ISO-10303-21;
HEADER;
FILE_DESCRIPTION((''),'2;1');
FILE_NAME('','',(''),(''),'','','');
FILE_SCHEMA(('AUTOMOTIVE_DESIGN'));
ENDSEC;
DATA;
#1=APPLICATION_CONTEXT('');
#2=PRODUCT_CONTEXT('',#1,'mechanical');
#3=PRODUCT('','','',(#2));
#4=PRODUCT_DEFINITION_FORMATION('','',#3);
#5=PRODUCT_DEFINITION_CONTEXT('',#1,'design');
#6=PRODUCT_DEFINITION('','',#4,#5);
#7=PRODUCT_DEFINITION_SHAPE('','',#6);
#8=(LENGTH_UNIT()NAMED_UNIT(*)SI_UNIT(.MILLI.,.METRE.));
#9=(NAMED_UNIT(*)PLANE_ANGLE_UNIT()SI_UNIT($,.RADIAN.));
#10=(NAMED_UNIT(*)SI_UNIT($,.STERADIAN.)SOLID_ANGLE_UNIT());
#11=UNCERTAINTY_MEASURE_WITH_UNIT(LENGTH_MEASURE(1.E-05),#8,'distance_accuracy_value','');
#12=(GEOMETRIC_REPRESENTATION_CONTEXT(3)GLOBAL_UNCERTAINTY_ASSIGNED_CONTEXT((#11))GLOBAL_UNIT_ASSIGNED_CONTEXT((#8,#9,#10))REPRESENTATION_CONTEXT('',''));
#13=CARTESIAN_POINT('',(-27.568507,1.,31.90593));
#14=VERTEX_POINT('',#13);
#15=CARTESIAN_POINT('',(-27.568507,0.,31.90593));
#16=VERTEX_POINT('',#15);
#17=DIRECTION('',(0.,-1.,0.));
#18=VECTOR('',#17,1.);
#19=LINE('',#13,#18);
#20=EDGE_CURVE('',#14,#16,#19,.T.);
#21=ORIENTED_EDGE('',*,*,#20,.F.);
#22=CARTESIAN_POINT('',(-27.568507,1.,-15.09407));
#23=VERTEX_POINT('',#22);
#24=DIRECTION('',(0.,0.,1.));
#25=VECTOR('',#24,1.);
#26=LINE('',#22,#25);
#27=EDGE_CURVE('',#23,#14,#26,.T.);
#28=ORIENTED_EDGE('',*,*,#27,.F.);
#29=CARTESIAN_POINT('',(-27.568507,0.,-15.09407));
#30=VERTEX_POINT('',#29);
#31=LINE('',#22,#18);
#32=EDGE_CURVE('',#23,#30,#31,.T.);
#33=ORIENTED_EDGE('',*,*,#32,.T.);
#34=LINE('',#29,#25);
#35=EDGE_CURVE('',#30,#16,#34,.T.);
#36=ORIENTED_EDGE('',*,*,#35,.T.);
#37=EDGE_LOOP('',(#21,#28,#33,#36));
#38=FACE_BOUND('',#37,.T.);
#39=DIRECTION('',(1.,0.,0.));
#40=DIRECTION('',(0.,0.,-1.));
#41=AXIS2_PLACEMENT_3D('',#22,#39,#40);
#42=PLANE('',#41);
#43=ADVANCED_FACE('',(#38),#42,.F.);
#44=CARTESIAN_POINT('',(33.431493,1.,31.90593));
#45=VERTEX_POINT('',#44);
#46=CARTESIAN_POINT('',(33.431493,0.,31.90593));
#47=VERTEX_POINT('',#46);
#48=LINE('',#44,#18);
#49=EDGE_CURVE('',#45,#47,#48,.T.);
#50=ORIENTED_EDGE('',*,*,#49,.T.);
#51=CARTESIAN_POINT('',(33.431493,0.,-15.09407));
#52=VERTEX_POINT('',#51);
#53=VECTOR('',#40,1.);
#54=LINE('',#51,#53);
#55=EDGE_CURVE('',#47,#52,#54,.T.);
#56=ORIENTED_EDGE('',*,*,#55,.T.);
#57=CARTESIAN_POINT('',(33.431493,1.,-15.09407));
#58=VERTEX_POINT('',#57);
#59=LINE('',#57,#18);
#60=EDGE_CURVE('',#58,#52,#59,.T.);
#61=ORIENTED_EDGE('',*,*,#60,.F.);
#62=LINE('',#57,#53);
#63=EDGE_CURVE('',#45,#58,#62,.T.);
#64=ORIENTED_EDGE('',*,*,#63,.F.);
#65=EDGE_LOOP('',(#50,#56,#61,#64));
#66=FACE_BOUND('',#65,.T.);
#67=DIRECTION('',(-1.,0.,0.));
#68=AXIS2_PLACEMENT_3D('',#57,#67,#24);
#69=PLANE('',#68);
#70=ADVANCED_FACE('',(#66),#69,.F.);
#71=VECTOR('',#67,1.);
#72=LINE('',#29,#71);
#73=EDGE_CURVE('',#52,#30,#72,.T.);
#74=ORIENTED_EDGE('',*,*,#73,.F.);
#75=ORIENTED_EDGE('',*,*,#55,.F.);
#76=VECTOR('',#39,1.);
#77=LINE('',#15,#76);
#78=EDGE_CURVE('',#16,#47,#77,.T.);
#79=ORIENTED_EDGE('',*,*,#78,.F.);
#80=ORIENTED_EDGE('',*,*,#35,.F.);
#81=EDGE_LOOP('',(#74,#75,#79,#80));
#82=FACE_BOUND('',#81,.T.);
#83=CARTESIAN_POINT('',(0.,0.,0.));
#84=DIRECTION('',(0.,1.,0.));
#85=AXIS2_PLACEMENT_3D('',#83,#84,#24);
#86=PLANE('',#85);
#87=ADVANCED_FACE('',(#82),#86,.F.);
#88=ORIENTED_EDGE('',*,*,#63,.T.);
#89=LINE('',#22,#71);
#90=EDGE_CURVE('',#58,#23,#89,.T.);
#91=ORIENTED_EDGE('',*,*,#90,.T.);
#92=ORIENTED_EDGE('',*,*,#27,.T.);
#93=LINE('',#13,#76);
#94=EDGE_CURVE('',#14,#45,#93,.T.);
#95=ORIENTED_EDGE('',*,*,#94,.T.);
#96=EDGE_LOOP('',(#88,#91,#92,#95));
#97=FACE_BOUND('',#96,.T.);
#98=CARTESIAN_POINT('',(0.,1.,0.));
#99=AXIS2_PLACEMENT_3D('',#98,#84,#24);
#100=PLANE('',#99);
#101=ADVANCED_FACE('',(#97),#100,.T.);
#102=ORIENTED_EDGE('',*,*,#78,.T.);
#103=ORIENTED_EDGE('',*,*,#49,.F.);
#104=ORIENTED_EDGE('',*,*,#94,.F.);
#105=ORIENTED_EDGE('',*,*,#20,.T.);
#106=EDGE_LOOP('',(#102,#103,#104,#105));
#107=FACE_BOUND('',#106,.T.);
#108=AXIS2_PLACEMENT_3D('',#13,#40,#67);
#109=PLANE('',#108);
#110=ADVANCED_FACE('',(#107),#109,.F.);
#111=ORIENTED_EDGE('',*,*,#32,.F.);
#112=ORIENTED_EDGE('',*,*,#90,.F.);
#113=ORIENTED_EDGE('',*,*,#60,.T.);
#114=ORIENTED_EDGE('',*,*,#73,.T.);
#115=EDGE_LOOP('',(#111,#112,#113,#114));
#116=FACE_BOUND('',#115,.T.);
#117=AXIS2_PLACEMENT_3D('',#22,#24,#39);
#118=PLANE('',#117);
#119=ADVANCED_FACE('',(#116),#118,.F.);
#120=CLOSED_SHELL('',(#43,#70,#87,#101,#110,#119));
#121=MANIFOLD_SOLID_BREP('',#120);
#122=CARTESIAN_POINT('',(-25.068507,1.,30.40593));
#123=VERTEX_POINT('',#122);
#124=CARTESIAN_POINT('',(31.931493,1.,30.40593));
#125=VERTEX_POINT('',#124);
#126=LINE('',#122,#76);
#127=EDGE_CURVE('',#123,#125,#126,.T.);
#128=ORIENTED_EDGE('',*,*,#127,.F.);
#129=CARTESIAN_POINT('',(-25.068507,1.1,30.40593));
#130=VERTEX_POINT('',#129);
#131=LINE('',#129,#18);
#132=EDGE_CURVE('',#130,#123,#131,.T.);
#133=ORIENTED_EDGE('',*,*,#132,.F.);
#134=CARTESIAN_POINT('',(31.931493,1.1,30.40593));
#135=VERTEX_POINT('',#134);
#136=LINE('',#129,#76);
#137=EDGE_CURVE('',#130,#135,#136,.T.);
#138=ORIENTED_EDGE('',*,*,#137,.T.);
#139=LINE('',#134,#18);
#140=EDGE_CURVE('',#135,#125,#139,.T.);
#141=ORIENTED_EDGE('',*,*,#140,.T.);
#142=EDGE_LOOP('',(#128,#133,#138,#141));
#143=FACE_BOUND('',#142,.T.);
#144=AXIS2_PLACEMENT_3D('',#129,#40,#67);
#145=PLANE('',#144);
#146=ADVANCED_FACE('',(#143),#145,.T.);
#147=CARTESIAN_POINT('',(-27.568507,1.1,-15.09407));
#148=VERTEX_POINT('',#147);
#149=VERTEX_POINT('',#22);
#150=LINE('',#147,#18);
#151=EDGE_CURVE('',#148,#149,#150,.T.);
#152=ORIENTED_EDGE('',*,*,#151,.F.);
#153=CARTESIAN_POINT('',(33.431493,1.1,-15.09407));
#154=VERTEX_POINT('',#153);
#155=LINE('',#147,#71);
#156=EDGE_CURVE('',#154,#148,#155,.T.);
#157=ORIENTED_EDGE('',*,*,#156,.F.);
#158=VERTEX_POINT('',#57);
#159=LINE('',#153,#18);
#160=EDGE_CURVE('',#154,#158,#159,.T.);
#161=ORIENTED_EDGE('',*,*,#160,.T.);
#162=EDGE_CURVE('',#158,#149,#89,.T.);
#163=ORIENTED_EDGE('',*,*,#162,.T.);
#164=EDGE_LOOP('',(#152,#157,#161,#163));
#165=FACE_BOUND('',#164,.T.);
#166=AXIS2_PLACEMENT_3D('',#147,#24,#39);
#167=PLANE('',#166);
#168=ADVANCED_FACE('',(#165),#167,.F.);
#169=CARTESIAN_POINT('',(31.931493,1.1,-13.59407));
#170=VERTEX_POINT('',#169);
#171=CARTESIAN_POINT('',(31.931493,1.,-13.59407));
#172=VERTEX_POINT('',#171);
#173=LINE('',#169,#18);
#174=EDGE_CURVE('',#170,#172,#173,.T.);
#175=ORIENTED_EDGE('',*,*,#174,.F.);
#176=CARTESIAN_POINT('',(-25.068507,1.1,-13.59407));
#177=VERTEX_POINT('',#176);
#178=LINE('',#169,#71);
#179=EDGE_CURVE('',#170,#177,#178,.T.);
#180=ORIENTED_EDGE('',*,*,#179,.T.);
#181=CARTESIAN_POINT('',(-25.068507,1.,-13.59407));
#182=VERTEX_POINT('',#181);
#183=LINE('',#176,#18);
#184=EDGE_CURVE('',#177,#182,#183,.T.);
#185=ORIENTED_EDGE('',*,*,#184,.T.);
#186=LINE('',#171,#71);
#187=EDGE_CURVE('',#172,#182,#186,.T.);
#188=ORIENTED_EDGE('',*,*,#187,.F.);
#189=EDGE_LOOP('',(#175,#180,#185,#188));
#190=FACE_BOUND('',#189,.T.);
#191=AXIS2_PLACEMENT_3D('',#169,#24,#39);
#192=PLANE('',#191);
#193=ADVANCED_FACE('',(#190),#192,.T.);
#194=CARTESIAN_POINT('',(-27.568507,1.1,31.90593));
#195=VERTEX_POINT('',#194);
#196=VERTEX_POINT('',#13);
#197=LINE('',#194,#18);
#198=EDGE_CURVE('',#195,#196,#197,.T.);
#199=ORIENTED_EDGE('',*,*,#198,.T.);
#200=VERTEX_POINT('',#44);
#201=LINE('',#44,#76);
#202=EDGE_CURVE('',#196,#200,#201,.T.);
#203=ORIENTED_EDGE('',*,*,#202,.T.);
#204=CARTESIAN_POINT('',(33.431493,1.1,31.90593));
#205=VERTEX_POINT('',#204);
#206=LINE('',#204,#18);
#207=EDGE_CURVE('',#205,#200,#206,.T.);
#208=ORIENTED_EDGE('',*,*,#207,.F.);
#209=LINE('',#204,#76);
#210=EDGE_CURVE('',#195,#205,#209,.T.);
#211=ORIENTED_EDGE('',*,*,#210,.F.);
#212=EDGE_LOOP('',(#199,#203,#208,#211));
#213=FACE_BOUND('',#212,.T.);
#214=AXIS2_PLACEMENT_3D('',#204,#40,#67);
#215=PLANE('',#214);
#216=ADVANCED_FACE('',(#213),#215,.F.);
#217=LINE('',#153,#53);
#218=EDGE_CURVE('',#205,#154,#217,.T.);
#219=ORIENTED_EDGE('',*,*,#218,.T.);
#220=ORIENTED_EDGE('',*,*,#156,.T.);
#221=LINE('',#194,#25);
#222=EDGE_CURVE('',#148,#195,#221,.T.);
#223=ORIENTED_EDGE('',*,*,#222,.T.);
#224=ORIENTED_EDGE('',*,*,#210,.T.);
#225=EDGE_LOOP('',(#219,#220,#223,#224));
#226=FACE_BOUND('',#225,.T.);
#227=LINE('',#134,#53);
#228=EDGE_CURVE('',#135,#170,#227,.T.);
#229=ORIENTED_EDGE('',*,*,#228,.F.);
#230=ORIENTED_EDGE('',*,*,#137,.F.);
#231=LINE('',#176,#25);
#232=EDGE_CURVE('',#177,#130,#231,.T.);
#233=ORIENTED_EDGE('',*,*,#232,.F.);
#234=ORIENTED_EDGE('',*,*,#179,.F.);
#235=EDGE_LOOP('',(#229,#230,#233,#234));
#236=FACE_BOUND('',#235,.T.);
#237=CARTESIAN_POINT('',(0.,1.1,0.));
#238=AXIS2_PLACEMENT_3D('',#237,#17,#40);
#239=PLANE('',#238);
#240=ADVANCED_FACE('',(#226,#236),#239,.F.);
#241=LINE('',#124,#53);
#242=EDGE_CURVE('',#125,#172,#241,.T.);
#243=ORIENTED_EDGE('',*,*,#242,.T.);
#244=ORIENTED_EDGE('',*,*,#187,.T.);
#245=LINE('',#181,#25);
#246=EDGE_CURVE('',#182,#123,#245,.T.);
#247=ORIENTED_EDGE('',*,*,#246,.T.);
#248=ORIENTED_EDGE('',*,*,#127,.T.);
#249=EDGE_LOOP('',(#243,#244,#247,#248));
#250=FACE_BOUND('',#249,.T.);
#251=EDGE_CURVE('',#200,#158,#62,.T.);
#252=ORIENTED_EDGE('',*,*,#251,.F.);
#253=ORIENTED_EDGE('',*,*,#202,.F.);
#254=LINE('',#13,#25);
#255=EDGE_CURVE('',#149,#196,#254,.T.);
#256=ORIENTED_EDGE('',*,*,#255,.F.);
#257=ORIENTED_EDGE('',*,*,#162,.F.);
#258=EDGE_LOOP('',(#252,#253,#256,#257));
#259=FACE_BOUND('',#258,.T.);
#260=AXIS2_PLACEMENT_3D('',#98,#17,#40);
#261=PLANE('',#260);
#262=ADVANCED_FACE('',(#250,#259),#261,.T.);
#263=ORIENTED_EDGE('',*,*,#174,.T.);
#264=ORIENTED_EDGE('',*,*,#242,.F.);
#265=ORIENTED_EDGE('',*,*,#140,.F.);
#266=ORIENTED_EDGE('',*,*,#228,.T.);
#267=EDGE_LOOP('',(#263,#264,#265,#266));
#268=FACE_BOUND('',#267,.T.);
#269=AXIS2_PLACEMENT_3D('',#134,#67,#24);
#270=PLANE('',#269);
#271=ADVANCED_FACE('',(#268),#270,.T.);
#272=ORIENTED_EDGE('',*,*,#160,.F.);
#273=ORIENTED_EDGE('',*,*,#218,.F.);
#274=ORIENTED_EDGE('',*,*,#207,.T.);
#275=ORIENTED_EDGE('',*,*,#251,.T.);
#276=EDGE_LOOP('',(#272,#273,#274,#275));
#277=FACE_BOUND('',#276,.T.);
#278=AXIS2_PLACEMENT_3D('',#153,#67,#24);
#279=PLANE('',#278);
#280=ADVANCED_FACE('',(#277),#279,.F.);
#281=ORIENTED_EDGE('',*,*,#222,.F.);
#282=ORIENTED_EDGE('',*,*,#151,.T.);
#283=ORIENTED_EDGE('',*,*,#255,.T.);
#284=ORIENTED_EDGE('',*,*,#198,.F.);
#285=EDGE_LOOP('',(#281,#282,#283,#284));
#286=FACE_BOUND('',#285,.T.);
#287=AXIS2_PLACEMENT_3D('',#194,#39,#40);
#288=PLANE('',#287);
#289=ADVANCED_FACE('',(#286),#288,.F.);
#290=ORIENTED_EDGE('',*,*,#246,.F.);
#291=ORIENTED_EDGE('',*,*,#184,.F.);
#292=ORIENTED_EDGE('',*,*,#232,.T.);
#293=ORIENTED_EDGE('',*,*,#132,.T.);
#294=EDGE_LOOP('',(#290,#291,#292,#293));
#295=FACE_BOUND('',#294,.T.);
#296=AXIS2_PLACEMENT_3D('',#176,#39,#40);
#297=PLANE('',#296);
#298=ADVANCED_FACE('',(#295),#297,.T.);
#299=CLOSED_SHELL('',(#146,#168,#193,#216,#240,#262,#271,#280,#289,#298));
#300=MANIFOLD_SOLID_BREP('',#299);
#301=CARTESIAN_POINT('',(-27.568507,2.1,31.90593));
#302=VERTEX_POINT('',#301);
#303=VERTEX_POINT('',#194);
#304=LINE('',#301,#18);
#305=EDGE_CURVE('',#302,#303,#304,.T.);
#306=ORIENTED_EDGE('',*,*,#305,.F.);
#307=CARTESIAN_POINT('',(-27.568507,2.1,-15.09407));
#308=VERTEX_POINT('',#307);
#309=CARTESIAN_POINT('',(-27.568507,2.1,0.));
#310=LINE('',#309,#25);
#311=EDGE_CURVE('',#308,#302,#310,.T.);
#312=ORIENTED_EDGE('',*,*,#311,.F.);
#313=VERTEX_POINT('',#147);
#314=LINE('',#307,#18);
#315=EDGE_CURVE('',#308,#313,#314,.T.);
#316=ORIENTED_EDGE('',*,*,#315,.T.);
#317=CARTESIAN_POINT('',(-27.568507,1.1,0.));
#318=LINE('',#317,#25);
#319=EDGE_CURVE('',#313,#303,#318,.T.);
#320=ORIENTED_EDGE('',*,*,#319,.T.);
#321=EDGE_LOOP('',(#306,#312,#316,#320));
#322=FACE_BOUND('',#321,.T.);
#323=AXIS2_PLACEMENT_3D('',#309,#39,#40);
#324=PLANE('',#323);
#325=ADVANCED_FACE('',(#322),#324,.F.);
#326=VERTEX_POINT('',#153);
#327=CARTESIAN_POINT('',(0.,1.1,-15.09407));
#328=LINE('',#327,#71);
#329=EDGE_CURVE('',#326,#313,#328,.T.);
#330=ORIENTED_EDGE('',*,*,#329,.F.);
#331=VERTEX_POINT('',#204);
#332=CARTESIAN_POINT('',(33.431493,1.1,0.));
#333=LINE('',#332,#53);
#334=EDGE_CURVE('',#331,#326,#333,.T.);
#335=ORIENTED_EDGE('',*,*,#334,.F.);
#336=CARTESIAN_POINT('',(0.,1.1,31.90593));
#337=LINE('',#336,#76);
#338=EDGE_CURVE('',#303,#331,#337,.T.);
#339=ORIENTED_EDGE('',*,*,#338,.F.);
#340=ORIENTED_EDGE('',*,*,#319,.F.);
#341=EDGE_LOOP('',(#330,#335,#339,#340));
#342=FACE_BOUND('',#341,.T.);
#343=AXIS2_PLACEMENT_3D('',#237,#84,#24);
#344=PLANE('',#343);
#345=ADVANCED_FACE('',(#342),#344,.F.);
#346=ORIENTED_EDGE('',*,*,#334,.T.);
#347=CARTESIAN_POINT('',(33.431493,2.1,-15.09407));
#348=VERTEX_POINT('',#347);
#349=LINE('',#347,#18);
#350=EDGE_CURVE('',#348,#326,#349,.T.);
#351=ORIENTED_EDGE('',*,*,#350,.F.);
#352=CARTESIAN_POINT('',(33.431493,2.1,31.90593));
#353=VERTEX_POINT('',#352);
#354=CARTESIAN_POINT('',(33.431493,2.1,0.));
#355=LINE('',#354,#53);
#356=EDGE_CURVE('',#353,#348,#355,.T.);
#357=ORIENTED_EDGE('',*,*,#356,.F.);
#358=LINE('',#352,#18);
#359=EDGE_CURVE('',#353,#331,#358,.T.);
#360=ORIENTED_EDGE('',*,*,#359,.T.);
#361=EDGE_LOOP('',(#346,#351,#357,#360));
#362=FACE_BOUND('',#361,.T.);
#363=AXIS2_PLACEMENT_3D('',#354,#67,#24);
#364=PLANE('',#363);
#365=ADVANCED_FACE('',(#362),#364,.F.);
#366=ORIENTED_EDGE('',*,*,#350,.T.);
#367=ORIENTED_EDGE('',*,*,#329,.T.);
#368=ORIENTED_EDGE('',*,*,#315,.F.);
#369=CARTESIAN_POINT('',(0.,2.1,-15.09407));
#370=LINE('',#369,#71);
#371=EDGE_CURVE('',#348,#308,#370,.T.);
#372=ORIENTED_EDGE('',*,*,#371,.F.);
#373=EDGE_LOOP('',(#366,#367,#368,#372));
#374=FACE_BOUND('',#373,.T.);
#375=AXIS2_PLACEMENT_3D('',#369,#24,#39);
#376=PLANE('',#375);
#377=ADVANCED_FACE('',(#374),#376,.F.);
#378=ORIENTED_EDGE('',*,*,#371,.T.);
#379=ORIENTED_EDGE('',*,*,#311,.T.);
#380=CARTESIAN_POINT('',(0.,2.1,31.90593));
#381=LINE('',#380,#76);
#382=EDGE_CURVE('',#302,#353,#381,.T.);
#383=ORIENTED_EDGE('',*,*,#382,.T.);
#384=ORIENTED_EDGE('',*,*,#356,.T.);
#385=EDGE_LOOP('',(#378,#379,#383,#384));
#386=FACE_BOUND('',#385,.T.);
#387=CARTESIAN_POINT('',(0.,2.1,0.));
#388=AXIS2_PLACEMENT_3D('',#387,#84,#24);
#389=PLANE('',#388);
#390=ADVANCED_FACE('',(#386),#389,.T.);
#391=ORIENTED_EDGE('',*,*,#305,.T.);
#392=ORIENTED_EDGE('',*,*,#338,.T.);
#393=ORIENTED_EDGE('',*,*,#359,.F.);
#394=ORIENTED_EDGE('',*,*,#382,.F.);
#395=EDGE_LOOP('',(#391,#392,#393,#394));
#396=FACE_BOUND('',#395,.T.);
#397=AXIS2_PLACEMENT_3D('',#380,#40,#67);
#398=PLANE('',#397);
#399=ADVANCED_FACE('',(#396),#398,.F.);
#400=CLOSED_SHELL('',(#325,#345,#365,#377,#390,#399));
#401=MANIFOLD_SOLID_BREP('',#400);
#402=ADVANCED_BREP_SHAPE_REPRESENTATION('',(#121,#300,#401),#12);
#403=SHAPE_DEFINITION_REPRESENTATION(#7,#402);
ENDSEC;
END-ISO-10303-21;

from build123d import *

# Parameters (mm, degrees)
SKETCH1_W           = 61
SKETCH1_H           = 47
BOSS_EXTRUDE1_DEPTH = 1
SKETCH2_W           = 61
SKETCH2_H           = 47
SKETCH2_W_2         = 57
SKETCH2_H_2         = 44
BOSS_EXTRUDE5_DEPTH = 0.1
BOSS_EXTRUDE3_START = 1.1
SKETCH1_3_W         = 61
SKETCH1_3_H         = 47
BOSS_EXTRUDE3_DEPTH = 1


with BuildPart() as part:
    # Sketch1 → Boss-Extrude1 (new body)
    with BuildSketch(Plane(origin=(0, 0, 0), x_dir=(1, 0, 0), z_dir=(0, 1, 0))):
        with Locations((2.931492843, -8.40593047)):
            Rectangle(SKETCH1_W, SKETCH1_H)
    extrude(amount=BOSS_EXTRUDE1_DEPTH)


with BuildPart() as body_2:
    # Sketch2 → Boss-Extrude5 (new body)
    with BuildSketch(Plane(origin=(0, 1, 0), x_dir=(1, 0, 0), z_dir=(0, 1, 0))):
        with Locations((2.931492843, -8.40593047)):
            Rectangle(SKETCH2_W, SKETCH2_H)
        with Locations((3.431492843, -8.40593047)):
            Rectangle(SKETCH2_W_2, SKETCH2_H_2, mode=Mode.SUBTRACT)
    extrude(amount=BOSS_EXTRUDE5_DEPTH)


with BuildPart() as body_3:
    # Sketch1<3> → Boss-Extrude3 (new body)
    with BuildSketch(Plane(origin=(0, 0, 0), x_dir=(1, 0, 0), z_dir=(0, 1, 0)).offset(BOSS_EXTRUDE3_START)):
        with Locations((2.931492843, -8.40593047)):
            Rectangle(SKETCH1_3_W, SKETCH1_3_H)
    extrude(amount=BOSS_EXTRUDE3_DEPTH)


solid = Compound([part.part, body_2.part, body_3.part])
